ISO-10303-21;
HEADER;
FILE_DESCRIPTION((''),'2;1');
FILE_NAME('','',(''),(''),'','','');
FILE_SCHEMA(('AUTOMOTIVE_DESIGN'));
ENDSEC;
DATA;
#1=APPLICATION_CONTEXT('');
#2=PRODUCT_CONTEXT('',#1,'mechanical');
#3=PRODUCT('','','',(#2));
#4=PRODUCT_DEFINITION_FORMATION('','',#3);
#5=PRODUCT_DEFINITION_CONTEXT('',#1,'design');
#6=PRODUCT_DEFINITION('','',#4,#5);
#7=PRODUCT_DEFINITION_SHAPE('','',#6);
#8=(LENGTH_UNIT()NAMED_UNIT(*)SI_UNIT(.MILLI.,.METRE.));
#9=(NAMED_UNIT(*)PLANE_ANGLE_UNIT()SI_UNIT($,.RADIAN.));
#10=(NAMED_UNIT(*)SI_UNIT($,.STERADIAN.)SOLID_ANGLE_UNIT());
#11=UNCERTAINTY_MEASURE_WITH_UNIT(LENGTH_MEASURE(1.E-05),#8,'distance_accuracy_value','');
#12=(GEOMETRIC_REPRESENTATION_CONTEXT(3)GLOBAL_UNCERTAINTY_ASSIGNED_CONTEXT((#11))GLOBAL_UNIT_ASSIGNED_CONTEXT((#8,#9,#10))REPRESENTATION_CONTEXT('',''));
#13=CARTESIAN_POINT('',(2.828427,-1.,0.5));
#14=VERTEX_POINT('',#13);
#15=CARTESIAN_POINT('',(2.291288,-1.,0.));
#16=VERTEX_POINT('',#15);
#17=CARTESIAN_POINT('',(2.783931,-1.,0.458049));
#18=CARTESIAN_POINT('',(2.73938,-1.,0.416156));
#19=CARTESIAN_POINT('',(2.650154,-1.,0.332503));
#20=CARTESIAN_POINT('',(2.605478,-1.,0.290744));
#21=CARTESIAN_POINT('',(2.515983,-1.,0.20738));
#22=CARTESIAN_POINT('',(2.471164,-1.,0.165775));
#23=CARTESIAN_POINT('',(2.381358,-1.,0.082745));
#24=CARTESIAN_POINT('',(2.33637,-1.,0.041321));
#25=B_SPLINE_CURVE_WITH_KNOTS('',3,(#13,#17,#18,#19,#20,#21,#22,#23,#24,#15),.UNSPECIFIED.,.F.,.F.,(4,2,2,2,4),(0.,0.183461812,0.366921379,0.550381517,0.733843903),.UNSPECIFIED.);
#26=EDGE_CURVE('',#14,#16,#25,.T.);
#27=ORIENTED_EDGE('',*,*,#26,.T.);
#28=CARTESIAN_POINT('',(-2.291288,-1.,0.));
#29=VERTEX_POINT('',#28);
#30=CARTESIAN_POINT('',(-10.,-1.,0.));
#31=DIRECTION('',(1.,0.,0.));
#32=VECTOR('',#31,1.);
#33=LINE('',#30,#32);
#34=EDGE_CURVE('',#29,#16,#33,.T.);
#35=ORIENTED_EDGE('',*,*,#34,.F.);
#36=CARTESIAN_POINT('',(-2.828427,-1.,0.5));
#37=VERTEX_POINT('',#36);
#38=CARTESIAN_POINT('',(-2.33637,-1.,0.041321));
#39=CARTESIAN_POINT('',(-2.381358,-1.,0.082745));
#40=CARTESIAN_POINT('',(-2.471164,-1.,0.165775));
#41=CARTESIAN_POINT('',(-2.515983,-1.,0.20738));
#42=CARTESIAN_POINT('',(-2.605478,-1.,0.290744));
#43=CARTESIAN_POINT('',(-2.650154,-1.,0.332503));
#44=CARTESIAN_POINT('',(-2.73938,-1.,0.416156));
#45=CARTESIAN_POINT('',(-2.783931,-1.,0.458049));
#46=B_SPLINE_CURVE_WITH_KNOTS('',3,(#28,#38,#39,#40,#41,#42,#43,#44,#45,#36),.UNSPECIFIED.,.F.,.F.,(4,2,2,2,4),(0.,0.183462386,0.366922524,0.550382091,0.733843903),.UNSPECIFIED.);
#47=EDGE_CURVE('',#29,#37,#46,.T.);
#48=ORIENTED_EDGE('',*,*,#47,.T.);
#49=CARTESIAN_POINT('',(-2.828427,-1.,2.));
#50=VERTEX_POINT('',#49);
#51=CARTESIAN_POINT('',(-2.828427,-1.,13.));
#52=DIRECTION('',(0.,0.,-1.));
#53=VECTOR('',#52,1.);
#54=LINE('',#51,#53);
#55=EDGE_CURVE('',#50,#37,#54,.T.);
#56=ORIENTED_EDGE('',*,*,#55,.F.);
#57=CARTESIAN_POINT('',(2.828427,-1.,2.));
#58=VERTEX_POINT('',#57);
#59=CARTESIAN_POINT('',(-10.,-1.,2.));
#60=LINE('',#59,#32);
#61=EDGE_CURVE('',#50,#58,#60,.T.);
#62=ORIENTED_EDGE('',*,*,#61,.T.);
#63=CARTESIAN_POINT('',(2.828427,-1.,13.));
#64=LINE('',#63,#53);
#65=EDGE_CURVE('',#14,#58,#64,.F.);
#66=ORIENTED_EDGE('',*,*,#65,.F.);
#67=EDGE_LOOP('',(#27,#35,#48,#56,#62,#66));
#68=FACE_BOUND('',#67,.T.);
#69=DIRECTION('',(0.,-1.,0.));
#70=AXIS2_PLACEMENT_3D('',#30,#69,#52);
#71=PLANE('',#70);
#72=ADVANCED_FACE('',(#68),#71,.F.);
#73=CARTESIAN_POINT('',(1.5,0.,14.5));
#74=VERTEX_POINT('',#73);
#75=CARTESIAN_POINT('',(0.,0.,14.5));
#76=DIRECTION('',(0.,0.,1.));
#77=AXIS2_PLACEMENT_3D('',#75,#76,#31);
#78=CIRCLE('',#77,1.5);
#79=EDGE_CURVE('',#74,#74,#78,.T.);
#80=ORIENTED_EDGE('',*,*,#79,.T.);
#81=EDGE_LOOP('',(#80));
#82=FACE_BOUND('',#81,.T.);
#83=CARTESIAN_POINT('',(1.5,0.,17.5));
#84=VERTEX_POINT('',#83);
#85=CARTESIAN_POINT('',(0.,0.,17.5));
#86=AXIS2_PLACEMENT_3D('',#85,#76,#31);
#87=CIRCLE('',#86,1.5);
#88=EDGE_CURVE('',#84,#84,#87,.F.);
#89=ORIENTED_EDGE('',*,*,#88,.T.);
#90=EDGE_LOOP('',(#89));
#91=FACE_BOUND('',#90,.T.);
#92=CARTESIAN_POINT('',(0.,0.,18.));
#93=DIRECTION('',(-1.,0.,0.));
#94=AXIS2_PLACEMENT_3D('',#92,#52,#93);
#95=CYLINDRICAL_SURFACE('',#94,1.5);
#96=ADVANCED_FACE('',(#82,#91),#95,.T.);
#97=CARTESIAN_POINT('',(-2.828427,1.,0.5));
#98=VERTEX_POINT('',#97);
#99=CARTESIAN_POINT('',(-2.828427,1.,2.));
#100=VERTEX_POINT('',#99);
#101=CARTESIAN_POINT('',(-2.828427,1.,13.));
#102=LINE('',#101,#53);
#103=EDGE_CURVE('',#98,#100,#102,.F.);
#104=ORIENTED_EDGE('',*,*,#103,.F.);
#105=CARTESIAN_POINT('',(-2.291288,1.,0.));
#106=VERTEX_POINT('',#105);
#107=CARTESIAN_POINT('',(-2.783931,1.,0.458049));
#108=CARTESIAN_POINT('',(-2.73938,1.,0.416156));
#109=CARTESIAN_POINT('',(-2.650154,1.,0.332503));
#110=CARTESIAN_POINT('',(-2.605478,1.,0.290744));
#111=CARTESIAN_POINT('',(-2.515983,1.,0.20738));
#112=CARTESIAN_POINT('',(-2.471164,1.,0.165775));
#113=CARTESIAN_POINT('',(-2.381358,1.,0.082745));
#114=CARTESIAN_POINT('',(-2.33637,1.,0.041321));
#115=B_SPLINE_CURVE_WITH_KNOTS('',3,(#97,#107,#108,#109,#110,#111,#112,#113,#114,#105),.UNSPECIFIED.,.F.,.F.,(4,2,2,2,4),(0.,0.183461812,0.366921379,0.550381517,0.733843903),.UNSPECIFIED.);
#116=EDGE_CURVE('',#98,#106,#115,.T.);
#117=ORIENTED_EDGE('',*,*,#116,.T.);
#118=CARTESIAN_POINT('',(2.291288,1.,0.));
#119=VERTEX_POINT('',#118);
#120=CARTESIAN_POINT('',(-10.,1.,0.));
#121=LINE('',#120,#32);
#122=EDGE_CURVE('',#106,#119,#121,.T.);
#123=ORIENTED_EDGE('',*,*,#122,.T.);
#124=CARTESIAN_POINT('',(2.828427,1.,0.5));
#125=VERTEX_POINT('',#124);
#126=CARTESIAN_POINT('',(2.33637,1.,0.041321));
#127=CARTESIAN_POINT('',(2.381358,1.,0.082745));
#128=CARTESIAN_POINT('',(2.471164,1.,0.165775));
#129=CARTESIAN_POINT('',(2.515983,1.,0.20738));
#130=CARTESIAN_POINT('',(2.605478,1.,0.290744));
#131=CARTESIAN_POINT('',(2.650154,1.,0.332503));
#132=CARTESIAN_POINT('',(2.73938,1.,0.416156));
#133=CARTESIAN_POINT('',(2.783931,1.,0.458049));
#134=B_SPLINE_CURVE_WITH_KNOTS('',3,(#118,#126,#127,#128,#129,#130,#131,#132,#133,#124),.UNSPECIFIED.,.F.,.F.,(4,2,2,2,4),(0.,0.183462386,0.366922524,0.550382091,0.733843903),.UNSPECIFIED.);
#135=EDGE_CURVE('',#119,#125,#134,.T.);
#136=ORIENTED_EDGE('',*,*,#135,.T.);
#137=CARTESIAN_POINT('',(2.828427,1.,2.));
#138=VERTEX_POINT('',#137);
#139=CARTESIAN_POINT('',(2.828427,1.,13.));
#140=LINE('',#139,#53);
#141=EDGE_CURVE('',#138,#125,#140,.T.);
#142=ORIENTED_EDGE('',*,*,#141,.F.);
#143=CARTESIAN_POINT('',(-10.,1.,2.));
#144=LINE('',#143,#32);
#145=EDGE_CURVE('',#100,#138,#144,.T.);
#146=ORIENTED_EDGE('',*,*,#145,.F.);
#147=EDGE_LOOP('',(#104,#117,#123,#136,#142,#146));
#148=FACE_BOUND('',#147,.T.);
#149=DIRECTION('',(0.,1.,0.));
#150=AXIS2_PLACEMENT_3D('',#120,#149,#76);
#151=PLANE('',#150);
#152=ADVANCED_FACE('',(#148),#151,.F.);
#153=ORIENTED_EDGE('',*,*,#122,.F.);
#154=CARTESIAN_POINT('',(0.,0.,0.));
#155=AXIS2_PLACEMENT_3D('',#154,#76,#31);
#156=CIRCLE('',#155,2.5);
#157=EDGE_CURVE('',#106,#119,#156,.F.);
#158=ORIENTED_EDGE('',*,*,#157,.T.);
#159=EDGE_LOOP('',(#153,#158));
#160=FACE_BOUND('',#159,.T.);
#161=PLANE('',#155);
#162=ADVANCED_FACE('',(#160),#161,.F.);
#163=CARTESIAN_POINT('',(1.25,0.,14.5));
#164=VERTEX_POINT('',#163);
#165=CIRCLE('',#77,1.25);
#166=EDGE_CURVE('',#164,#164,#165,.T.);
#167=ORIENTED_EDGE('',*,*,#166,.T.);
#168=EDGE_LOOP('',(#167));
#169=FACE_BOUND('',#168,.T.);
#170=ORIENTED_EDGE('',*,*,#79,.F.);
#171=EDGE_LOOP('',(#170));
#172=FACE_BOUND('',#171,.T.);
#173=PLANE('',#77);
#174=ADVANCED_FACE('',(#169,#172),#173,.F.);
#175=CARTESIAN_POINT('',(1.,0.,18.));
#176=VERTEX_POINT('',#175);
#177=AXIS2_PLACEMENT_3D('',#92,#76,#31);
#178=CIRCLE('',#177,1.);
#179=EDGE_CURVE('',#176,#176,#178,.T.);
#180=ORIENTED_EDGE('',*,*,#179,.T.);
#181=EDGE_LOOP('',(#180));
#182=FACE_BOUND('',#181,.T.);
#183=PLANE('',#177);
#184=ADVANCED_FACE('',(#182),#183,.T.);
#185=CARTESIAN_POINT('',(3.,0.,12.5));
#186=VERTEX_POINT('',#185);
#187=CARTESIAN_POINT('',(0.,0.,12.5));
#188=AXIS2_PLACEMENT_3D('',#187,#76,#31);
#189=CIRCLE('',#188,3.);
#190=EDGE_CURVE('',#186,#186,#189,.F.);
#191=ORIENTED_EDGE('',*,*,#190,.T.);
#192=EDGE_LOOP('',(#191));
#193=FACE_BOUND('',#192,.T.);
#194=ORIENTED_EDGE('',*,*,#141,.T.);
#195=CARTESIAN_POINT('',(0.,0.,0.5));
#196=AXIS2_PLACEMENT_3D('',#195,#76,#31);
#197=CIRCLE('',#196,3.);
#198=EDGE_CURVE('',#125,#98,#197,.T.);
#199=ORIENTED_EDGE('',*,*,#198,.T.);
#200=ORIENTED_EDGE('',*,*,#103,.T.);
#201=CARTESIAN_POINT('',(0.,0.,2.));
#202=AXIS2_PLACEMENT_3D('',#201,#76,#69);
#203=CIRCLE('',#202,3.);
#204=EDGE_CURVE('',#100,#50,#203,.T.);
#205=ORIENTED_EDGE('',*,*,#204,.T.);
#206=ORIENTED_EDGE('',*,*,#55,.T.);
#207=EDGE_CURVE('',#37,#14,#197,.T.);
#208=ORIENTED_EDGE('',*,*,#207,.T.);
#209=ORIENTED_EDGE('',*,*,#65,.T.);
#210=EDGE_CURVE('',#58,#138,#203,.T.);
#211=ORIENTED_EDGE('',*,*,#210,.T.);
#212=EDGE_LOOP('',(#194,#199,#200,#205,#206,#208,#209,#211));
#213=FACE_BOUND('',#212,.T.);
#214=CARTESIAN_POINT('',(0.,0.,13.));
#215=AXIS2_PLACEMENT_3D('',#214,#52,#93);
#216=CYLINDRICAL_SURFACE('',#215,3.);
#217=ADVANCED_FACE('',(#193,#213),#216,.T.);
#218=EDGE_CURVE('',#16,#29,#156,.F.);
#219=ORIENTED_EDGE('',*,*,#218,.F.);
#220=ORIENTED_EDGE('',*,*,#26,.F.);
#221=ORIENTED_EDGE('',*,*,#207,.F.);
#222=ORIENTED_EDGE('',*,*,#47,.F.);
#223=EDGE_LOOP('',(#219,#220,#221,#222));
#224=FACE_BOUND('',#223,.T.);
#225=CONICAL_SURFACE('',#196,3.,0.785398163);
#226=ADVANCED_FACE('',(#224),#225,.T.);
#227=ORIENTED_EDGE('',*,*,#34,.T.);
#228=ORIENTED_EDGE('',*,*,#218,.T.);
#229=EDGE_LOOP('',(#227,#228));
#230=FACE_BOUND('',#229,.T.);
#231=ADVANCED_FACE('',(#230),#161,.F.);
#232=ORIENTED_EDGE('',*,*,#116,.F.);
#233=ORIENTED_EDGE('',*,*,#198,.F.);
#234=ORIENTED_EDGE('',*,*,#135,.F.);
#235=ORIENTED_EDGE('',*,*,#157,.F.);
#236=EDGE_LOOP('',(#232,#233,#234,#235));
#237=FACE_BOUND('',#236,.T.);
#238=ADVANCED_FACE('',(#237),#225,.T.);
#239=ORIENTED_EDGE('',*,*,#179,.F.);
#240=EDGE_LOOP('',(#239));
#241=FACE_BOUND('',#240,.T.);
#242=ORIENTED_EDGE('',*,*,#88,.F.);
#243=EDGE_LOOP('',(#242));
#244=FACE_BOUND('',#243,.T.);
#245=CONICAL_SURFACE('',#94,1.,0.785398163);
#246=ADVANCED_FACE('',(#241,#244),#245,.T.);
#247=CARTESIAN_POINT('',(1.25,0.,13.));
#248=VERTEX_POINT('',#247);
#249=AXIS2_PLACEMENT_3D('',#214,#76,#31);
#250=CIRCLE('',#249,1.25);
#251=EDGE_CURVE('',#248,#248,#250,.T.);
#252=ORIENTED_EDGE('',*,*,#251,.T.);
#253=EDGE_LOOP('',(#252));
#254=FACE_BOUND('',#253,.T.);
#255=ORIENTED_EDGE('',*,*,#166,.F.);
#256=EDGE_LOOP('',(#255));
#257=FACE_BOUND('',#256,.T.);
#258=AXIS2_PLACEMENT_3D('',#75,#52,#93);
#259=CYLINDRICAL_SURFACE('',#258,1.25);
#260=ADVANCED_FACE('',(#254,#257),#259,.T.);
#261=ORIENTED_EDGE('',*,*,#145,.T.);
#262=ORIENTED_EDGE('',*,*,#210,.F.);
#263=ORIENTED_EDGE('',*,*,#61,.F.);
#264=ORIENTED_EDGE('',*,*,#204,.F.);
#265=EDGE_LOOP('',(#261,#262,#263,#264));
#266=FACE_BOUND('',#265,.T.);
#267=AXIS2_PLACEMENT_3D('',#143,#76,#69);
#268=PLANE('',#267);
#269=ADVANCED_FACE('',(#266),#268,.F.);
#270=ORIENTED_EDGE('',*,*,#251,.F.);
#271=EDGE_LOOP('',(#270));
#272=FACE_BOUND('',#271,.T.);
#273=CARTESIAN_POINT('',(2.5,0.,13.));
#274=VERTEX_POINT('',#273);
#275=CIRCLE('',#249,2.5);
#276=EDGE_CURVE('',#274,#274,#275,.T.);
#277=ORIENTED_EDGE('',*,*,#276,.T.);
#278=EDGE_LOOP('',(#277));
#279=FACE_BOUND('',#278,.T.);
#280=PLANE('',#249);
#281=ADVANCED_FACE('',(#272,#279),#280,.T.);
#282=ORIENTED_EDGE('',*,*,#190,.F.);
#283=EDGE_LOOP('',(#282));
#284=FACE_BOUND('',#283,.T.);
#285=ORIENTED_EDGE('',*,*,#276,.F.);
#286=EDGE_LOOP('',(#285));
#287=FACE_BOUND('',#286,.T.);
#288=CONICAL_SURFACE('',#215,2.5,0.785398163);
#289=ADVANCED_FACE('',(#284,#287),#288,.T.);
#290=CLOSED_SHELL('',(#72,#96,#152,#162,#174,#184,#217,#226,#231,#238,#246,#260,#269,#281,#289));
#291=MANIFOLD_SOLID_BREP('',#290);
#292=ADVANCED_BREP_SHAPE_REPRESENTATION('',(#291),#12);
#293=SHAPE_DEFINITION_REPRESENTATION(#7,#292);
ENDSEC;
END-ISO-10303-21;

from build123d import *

# Parameters (mm, degrees)
SKETCH_1_R          = 3
EXTRUDE_1_DEPTH     = 13
SKETCH_2_R          = 1.5
EXTRUDE_2_DEPTH     = 5
CHAMFER_1_SIZE      = 0.5
SKETCH_3_R          = 1.5
SKETCH_3_R_2        = 1.25
CUT_EXTRUDE_3_DEPTH = 1.5
SKETCH_4_W          = 2
SKETCH_4_H          = 2
CUT_EXTRUDE_4_DEPTH = 10
CHAMFER_2_SIZE      = 0.5


with BuildPart() as part:
    # 草图1 → 拉伸1 (new body)
    with BuildSketch(Plane.XY):
        with Locations(Location((0, 0, 0), (0, 0, 180))):
            Circle(SKETCH_1_R)
    extrude(amount=EXTRUDE_1_DEPTH)

    # 草图2 → 拉伸2 (add)
    with BuildSketch(Plane.XY.offset(13)):
        Circle(SKETCH_2_R)
    extrude(amount=EXTRUDE_2_DEPTH)

    # 倒角1
    chamfer_1_edges = [part.edges().sort_by_distance(p)[0] for p in [
        (-1.5, 0, 18),
    ]]
    chamfer(chamfer_1_edges, length=CHAMFER_1_SIZE)

    # 草图3 → 拉伸3 (cut)
    with BuildSketch(Plane.XY.offset(13)):
        Circle(SKETCH_3_R)
        Circle(SKETCH_3_R_2, mode=Mode.SUBTRACT)
    extrude(amount=CUT_EXTRUDE_3_DEPTH, mode=Mode.SUBTRACT)

    # 草图4 → 拉伸4 (cut, symmetric)
    with BuildSketch(Plane(origin=(0, 0, 0), x_dir=(0, 0, -1), z_dir=(1, 0, 0))):
        with Locations((-1, 0)):
            Rectangle(SKETCH_4_W, SKETCH_4_H)
    extrude(amount=CUT_EXTRUDE_4_DEPTH, both=True, mode=Mode.SUBTRACT)

    # 倒角2
    chamfer_2_edges = [part.edges().sort_by_distance(p)[0] for p in [
        (0, 3, 0),
        (0, -3, 0),
        (3, 0, 13),
    ]]
    chamfer(chamfer_2_edges, length=CHAMFER_2_SIZE)


solid = part.part
